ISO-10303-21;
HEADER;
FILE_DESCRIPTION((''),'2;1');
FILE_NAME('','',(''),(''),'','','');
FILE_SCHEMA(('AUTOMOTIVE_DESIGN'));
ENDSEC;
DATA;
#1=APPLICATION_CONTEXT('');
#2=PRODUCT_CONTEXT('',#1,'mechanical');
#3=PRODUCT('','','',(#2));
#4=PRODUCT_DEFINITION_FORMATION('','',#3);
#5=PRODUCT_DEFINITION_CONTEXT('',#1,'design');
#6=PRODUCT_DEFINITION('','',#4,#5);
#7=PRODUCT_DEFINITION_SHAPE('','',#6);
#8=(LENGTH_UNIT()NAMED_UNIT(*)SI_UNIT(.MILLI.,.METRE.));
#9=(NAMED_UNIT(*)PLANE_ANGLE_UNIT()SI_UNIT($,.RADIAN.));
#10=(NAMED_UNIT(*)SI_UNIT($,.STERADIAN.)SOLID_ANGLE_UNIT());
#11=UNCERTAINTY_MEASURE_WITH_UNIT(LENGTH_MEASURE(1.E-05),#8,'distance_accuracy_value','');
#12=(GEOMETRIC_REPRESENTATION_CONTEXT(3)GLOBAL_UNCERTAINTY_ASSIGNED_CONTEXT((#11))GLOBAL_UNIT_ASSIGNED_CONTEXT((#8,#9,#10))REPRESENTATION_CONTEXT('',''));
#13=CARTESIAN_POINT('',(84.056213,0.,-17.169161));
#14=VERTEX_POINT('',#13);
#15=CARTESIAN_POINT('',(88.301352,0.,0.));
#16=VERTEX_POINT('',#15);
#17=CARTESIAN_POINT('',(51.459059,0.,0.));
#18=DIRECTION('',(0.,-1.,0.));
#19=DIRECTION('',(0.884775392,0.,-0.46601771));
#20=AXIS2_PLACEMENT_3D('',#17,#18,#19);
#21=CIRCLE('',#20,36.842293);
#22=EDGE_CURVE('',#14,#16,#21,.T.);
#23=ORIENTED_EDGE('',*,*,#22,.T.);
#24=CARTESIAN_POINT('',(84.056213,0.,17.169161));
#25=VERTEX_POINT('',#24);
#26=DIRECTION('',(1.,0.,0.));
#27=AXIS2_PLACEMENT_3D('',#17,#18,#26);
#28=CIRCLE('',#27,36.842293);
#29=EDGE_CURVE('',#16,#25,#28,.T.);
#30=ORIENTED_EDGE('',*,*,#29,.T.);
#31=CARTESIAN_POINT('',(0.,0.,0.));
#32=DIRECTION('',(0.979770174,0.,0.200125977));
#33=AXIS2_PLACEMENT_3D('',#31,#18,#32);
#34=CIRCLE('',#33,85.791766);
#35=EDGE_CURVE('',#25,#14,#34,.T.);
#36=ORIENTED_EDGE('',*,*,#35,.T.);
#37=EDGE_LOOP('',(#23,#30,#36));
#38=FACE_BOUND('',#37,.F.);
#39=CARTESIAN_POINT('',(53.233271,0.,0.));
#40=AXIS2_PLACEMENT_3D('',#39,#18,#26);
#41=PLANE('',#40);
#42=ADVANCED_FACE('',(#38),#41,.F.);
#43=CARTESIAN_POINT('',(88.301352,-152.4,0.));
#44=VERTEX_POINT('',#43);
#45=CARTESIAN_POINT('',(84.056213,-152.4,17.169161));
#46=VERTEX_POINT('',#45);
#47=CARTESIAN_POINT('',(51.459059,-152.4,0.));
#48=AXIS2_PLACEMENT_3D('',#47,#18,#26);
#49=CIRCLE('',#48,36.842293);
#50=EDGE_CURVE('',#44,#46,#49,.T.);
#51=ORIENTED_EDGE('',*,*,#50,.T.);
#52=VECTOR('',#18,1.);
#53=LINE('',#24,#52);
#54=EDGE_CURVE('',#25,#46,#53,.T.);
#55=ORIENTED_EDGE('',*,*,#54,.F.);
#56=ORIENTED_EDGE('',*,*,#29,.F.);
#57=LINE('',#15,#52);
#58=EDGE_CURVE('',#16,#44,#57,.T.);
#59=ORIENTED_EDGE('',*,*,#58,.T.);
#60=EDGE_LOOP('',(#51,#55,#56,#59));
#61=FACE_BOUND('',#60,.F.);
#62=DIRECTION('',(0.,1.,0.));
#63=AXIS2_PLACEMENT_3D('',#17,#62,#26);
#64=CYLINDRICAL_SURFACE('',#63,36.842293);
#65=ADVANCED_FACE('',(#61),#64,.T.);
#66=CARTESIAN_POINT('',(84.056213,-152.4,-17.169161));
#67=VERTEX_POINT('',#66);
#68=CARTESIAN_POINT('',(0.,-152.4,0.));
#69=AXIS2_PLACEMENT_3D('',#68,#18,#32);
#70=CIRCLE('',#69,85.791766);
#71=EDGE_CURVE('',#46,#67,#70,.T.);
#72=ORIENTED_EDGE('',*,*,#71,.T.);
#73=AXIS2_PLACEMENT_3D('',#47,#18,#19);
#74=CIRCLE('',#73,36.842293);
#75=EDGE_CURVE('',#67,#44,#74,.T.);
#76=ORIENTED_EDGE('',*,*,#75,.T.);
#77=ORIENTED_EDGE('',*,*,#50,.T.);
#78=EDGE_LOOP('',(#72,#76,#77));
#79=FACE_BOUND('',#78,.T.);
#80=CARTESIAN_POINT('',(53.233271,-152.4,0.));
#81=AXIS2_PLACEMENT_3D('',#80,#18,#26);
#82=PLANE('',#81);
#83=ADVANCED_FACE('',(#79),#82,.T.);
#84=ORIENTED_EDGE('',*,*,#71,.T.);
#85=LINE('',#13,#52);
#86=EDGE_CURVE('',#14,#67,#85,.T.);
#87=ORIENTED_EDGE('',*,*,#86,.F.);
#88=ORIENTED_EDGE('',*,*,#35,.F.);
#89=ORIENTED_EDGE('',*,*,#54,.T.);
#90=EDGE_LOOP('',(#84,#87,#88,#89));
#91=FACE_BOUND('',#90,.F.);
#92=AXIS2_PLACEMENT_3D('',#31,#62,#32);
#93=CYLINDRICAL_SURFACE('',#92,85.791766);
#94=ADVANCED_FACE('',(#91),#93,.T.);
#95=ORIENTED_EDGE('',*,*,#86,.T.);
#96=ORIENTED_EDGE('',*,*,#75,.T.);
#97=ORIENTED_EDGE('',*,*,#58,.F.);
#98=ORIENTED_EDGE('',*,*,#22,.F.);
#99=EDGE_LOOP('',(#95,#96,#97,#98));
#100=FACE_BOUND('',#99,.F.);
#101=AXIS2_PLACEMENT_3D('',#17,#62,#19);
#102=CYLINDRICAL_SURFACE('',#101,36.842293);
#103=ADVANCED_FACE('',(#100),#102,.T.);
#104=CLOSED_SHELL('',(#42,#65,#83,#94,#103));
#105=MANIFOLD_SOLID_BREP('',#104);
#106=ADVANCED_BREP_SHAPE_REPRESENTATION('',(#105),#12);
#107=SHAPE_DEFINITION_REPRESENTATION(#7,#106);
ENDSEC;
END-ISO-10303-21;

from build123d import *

# Parameters (mm, degrees)
F1_DEPTH = 152.4
F2_R     = 79.0376801061
F3_DEPTH = 152.4


with BuildPart() as f1:
    # F0 (on Front) → F1 (new body)
    with BuildSketch(Plane.XZ):
        with BuildLine():
            ThreePointArc((84.0562131993, -17.1691609262), (85.3567748158, -8.6283287698), (85.791765714, 0))
            ThreePointArc((85.791765714, 0), (85.3567748158, 8.6283287698), (84.0562131993, 17.1691609262))
            ThreePointArc((84.0562131993, 17.1691609262), (14.6167662884, 0), (84.0562131993, -17.1691609262))
        make_face()
        with BuildLine():
            ThreePointArc((84.0562131993, 17.1691609262), (85.3567748158, 8.6283287698), (85.791765714, 0))
            ThreePointArc((85.791765714, 0), (85.3567748158, -8.6283287698), (84.0562131993, -17.1691609262))
            ThreePointArc((84.0562131993, -17.1691609262), (87.2243246509, -8.8430946213), (88.30135195, 0))
            ThreePointArc((88.30135195, 0), (87.2243246509, 8.8430946213), (84.0562131993, 17.1691609262))
        make_face()
        with BuildLine():
            ThreePointArc((84.0562131993, -17.1691609262), (14.6167662884, 0), (84.0562131993, 17.1691609262))
            ThreePointArc((84.0562131993, 17.1691609262), (-85.791765714, 0), (84.0562131993, -17.1691609262))
        make_face()
    extrude(amount=F1_DEPTH)

    # F2 (on face) → F3 (join)
    with BuildSketch(Plane.XZ.offset(152.4)):
        Circle(F2_R)
    extrude(amount=-F3_DEPTH)


solid = f1.part
